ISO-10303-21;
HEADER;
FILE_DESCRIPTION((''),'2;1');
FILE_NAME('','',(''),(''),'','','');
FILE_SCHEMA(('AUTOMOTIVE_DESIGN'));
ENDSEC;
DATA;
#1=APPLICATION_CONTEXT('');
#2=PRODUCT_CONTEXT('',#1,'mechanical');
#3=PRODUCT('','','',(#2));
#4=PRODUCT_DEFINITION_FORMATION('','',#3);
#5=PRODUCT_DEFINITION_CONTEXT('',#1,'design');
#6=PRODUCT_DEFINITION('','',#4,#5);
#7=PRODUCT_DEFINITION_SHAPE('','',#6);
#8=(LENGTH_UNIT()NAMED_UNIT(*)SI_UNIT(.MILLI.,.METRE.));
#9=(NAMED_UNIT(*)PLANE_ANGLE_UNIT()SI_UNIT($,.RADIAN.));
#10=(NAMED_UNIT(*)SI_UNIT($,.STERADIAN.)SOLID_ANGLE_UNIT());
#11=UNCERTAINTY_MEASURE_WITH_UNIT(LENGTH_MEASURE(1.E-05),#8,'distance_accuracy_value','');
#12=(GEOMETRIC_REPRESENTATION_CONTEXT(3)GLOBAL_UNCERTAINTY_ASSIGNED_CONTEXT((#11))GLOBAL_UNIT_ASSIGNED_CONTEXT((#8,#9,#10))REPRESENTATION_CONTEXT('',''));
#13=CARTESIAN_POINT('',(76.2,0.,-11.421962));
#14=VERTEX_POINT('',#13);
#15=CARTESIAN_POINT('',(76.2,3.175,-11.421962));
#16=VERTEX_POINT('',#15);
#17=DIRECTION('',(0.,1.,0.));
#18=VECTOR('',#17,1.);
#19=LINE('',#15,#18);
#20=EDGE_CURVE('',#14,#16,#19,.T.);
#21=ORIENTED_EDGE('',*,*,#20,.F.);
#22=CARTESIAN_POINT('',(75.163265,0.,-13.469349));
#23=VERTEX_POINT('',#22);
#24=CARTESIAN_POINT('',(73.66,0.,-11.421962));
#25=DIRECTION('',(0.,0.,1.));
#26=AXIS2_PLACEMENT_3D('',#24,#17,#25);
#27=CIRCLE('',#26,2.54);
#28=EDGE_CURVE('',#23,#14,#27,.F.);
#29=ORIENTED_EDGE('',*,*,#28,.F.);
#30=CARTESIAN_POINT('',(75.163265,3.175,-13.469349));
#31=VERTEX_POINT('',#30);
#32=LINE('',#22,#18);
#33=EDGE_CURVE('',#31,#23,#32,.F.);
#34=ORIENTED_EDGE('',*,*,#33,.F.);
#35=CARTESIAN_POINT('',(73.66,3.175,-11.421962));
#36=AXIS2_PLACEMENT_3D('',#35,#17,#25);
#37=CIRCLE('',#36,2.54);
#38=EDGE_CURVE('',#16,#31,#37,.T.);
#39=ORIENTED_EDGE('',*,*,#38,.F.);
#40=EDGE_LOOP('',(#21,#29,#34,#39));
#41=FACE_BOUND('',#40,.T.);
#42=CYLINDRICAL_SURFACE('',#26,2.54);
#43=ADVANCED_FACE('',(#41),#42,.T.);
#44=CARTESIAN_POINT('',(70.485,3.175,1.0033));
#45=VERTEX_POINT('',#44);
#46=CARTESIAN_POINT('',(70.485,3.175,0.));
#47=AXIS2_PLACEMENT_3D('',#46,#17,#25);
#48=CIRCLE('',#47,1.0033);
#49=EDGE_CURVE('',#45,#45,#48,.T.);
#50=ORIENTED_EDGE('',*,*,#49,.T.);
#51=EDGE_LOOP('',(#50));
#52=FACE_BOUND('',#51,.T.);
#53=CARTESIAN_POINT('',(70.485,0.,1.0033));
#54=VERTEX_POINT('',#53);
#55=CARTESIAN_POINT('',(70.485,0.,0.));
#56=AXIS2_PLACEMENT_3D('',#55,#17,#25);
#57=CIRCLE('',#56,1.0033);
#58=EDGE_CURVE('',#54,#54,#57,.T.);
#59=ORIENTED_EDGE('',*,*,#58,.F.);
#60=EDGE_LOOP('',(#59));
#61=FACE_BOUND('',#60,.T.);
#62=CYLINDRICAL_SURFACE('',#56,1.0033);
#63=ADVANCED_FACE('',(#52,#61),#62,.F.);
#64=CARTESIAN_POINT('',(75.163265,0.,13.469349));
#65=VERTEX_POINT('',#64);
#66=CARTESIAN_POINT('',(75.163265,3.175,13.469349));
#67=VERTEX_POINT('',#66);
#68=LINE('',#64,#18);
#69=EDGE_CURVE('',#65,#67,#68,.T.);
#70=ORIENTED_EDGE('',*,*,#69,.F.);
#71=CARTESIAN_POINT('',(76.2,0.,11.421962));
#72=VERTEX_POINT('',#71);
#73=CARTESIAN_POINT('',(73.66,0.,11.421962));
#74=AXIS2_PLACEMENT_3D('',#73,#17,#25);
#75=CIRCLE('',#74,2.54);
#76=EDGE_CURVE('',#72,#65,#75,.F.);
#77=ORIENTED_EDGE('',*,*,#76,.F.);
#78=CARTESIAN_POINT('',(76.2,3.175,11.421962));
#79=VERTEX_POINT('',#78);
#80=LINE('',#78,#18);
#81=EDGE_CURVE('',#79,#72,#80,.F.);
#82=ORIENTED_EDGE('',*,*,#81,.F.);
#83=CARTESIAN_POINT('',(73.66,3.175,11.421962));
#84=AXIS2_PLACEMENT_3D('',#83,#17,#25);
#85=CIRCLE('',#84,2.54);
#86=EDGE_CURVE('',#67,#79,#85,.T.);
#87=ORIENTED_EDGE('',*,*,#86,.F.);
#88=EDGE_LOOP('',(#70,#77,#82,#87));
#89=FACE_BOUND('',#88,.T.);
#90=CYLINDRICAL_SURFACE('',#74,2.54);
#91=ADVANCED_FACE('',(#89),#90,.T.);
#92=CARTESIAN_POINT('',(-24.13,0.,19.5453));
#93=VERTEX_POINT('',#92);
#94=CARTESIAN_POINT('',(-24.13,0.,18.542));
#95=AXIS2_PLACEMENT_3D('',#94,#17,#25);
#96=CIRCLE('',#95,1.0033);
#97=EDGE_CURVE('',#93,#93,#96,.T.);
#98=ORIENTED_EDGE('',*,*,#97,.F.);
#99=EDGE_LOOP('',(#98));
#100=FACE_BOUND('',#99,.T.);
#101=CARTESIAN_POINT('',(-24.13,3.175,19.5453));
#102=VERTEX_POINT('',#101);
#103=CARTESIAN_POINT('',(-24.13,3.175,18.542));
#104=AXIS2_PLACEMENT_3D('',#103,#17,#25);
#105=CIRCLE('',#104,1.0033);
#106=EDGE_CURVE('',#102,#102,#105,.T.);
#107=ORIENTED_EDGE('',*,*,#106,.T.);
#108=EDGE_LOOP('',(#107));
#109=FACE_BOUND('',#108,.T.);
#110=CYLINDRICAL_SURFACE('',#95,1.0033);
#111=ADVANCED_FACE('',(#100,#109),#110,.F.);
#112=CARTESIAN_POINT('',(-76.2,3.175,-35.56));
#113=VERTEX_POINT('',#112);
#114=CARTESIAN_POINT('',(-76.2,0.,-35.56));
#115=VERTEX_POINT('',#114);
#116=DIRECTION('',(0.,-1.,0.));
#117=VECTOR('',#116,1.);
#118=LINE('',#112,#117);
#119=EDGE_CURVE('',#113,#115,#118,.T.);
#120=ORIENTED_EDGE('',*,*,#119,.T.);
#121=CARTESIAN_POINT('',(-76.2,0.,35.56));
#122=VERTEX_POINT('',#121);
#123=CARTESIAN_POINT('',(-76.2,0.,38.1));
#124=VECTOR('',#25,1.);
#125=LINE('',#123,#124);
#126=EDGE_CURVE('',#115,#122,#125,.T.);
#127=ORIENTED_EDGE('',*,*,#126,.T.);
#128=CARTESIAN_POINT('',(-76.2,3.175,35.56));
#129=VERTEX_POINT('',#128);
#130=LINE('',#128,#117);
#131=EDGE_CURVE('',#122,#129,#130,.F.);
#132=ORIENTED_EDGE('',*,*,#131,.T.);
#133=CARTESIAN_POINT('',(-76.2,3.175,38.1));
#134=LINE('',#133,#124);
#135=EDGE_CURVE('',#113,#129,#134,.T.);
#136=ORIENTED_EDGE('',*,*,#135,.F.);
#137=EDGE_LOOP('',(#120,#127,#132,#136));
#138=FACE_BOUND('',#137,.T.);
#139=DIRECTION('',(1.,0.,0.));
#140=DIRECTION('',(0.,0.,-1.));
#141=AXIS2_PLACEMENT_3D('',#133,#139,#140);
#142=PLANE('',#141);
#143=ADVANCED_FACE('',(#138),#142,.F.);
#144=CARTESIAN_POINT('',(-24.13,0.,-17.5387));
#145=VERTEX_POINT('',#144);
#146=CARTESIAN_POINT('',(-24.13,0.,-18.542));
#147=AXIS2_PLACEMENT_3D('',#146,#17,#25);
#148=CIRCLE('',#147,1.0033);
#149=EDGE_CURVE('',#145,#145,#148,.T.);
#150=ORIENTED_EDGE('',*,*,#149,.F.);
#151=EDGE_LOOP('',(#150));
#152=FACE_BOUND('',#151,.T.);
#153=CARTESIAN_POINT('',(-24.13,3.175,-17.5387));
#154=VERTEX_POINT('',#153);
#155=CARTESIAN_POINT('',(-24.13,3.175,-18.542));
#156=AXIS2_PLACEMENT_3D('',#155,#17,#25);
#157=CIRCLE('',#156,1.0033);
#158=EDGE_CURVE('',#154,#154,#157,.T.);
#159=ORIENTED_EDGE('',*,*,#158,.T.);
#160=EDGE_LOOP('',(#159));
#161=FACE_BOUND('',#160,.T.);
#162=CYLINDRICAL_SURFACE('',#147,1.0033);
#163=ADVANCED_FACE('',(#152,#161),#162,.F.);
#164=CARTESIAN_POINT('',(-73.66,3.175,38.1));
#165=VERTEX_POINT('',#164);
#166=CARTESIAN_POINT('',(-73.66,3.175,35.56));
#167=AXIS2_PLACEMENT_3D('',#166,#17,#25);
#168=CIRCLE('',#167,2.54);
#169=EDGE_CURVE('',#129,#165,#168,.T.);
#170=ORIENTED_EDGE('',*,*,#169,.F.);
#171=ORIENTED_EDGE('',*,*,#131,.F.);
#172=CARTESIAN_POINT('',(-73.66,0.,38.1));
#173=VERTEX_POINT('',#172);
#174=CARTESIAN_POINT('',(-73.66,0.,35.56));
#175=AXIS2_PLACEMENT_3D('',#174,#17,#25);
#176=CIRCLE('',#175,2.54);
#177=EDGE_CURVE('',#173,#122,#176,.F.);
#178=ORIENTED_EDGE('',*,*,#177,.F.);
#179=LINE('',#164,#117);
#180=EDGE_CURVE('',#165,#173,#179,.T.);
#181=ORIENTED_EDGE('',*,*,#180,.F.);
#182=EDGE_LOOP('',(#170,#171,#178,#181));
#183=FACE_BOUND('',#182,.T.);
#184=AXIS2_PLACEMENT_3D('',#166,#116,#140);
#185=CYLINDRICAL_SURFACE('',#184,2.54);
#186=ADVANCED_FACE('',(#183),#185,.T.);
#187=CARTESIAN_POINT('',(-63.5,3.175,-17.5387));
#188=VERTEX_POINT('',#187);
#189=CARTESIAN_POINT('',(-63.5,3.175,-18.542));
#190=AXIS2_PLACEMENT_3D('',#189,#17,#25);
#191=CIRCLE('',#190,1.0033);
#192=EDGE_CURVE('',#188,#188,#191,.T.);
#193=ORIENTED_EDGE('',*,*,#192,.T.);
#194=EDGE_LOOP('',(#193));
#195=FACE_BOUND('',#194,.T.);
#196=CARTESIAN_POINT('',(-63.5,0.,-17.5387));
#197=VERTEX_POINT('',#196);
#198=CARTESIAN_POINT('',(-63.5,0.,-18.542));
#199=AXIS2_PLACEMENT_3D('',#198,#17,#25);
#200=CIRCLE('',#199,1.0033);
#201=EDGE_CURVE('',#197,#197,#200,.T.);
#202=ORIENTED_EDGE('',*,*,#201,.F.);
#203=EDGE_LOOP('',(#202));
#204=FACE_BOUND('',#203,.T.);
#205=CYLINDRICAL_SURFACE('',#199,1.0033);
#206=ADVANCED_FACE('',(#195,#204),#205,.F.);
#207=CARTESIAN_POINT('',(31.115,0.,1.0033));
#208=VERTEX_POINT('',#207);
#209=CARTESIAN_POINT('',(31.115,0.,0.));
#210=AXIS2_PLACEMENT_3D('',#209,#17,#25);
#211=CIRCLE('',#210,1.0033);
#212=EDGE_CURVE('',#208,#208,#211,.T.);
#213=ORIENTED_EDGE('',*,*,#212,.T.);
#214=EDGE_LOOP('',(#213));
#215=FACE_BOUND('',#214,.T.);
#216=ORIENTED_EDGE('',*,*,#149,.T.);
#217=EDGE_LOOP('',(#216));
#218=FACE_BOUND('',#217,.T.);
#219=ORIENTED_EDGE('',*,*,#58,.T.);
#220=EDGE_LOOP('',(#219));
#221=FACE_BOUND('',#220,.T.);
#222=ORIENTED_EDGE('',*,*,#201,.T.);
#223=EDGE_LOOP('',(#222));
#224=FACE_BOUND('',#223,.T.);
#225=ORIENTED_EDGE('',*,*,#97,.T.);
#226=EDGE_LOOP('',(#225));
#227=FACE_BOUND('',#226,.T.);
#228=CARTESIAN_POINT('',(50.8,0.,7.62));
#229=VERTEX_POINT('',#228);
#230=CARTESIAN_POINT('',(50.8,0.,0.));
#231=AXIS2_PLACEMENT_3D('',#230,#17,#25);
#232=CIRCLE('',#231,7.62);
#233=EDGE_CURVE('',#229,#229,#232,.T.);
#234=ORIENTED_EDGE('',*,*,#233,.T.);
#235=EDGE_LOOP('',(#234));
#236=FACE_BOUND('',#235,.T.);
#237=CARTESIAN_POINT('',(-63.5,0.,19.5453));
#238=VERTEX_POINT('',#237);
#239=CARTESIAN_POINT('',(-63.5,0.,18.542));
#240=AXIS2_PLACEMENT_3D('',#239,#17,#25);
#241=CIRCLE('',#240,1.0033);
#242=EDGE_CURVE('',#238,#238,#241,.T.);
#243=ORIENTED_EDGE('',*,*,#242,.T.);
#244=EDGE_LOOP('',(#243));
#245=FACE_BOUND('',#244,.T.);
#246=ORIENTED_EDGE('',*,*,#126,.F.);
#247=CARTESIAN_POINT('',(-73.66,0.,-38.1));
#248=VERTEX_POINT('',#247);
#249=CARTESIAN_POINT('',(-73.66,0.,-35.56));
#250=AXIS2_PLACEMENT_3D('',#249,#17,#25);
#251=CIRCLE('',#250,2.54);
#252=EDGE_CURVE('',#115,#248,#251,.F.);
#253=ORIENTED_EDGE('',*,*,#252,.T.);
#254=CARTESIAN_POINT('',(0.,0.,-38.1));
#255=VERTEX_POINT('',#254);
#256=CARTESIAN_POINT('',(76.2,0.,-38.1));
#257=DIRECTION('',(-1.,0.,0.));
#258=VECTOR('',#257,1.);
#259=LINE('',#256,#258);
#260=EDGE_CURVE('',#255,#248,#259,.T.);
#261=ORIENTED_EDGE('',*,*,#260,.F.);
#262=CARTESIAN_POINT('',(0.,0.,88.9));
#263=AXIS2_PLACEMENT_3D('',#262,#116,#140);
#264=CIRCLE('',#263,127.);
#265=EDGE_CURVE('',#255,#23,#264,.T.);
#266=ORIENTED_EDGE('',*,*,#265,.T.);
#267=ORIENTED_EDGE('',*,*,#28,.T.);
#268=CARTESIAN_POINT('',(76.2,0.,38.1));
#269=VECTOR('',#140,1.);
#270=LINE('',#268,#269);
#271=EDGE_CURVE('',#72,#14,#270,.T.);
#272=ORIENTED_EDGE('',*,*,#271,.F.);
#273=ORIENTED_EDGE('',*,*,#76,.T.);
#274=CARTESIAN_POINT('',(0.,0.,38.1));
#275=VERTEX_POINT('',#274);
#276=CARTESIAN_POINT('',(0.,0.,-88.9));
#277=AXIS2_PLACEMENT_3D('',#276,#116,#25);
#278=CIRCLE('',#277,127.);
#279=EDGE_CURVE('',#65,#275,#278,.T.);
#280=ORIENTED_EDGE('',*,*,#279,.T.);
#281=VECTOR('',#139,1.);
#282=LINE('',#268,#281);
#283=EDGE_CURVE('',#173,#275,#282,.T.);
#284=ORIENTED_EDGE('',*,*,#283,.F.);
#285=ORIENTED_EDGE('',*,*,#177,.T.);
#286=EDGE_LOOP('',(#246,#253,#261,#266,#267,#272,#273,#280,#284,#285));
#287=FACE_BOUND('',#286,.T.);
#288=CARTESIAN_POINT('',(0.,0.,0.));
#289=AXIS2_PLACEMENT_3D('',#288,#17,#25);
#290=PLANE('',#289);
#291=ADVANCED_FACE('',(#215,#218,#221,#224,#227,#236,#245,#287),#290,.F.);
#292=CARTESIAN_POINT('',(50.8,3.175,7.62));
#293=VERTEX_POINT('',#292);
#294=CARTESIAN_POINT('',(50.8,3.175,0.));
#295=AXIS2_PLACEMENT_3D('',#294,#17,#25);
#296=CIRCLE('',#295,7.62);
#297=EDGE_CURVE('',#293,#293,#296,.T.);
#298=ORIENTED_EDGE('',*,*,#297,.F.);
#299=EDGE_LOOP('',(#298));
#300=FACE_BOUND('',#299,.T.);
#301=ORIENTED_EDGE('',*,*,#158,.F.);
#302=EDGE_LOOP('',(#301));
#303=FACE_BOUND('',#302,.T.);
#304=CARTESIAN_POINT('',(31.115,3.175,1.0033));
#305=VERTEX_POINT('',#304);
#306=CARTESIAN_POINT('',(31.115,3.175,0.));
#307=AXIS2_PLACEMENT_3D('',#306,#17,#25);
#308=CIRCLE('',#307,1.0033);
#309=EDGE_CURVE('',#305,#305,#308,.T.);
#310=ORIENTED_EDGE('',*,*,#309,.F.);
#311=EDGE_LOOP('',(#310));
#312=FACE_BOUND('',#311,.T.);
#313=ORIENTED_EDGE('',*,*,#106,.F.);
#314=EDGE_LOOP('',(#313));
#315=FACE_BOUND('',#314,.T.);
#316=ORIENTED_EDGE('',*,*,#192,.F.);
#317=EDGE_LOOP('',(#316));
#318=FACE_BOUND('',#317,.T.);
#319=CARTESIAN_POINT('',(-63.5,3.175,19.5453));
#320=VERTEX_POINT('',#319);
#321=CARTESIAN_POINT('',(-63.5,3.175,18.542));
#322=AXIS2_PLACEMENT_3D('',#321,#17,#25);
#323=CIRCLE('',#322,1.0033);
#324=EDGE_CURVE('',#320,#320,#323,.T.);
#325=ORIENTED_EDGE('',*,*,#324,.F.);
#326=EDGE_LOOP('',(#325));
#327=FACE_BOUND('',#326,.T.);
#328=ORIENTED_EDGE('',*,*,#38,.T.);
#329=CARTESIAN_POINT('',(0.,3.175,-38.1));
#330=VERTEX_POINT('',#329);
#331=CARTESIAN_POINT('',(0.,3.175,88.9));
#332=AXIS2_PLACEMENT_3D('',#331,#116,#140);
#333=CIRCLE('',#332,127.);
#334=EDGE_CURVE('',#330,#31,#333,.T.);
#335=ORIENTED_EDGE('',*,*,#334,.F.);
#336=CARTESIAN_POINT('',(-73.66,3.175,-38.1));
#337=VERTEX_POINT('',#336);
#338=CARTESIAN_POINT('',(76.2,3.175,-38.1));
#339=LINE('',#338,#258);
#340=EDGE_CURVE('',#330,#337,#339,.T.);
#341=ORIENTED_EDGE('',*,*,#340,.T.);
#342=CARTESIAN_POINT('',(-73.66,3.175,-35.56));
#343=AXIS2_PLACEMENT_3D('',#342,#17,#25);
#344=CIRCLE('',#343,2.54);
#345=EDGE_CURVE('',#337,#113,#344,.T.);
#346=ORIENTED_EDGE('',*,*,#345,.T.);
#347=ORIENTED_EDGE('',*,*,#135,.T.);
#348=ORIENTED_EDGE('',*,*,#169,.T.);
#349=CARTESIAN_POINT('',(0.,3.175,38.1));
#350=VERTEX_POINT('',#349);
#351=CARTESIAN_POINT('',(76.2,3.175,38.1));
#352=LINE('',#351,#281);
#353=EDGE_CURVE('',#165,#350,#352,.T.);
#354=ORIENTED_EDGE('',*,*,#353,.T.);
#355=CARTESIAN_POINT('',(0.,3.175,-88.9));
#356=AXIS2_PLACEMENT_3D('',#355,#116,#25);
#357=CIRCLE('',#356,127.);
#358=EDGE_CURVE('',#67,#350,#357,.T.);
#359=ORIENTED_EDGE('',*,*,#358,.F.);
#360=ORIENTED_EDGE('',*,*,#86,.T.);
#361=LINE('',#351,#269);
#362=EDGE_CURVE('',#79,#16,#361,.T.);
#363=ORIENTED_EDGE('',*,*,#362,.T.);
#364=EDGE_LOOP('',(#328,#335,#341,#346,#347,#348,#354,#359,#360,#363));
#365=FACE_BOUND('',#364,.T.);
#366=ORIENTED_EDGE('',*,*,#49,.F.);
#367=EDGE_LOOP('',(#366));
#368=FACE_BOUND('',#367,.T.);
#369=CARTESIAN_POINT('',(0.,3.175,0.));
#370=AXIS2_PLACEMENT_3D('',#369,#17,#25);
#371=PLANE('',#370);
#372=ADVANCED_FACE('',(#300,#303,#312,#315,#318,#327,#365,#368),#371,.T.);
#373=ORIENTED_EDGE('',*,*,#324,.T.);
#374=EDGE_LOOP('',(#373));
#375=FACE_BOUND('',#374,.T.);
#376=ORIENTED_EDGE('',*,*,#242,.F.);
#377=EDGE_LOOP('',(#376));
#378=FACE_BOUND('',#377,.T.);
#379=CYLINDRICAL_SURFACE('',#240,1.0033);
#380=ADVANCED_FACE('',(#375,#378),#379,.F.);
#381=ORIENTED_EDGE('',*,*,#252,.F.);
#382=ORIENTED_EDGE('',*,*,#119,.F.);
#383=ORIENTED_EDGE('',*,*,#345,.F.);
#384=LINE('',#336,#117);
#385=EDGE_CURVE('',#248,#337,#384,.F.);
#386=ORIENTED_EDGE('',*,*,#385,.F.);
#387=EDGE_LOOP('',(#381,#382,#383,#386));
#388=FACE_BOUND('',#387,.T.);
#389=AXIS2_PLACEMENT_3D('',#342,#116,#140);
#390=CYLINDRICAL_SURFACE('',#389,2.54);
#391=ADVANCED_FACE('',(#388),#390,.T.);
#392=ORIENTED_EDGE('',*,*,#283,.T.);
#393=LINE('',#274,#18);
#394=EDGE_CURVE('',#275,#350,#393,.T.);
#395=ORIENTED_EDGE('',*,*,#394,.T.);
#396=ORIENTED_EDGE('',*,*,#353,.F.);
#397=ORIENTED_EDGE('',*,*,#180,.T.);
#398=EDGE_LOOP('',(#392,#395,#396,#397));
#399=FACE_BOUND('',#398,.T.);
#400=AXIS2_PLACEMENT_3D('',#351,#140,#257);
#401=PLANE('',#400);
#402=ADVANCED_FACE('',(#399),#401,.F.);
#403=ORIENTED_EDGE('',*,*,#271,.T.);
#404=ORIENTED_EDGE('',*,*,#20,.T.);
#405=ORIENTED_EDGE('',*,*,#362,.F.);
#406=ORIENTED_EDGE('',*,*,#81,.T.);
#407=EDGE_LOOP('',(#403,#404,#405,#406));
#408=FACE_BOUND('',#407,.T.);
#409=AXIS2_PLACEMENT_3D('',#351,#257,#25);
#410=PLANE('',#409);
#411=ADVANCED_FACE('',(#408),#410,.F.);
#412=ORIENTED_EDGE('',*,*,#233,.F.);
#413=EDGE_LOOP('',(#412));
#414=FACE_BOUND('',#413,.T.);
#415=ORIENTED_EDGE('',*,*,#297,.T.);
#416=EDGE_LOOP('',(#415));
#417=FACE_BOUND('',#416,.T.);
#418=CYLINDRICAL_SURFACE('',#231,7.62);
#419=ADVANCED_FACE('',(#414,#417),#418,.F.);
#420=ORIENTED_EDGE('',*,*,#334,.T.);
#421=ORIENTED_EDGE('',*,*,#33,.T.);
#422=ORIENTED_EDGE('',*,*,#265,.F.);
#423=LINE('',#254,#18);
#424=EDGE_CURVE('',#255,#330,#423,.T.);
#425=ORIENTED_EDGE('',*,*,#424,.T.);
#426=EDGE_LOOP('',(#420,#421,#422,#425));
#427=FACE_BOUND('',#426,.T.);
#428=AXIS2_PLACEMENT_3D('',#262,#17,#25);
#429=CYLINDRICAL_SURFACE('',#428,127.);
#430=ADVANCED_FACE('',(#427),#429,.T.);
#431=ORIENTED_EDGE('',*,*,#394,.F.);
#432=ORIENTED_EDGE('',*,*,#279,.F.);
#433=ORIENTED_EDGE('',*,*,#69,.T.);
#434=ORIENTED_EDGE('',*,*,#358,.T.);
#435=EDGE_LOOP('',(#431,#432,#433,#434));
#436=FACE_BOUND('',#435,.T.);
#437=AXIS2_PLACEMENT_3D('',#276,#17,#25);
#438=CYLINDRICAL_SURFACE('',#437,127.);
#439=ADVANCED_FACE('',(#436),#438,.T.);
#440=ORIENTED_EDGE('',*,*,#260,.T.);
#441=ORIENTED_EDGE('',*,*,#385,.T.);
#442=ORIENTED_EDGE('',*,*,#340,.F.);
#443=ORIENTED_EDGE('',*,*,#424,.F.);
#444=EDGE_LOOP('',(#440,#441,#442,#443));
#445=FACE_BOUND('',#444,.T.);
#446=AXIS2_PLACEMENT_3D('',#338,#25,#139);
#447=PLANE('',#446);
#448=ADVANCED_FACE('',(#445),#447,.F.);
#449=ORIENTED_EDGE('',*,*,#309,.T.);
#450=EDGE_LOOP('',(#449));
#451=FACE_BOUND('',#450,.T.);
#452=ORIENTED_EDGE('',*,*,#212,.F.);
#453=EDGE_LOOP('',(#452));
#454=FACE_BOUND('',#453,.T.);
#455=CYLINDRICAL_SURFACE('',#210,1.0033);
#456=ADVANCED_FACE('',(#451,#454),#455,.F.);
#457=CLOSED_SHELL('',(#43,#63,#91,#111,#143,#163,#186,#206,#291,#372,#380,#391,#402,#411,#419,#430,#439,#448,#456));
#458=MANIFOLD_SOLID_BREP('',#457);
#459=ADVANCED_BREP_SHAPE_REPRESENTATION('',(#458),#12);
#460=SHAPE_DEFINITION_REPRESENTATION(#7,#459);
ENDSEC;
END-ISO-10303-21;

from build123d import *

# Parameters (mm, degrees)
SKETCH1_W           = 152.4
SKETCH1_H           = 76.2
BOSS_EXTRUDE1_DEPTH = 3.175
CUT_EXTRUDE1_DEPTH  = 3.175
FILLET2_R           = 2.54
FILLET3_R           = 2.54
SKETCH5_R           = 7.62
CUT_EXTRUDE2_DEPTH  = 3.175
SKETCH7_R           = 1.0033
CUT_EXTRUDE4_DEPTH  = 86.253332046
SKETCH6_R           = 1.0033
CUT_EXTRUDE5_DEPTH  = 86.253332046


with BuildPart() as part:
    # Sketch1 → Boss-Extrude1 (new body)
    with BuildSketch(Plane(origin=(0, 0, 0), x_dir=(1, 0, 0), z_dir=(0, 1, 0))):
        Rectangle(SKETCH1_W, SKETCH1_H)
    extrude(amount=BOSS_EXTRUDE1_DEPTH)

    # Sketch4 → Cut-Extrude1 (cut)
    with BuildSketch(Plane(origin=(0, 3.175, 0), x_dir=(1, 0, 0), z_dir=(0, 1, 0))):
        with BuildLine():
            Line((0, 38.1), (76.2, 38.1))
            Line((76.2, 38.1), (76.2, 12.7))
            ThreePointArc((76.2, 12.7), (40.160926284, 31.582778852), (0, 38.1))
        make_face()
        with BuildLine():
            Line((76.2, -38.1), (76.2, -12.7))
            ThreePointArc((76.2, -12.7), (40.160926284, -31.582778852), (0, -38.1))
            Line((0, -38.1), (76.2, -38.1))
        make_face()
    extrude(amount=-CUT_EXTRUDE1_DEPTH, mode=Mode.SUBTRACT)

    # Fillet2
    fillet2_edges = [part.edges().sort_by_distance(p)[0] for p in [
        (76.2, 1.5875, -12.7),
        (76.2, 1.5875, 12.7),
    ]]
    fillet(fillet2_edges, radius=FILLET2_R)

    # Fillet3
    fillet3_edges = [part.edges().sort_by_distance(p)[0] for p in [
        (-76.2, 1.5875, -38.1),
        (-76.2, 1.5875, 38.1),
    ]]
    fillet(fillet3_edges, radius=FILLET3_R)

    # Sketch5 → Cut-Extrude2 (cut)
    with BuildSketch(Plane(origin=(0, 3.175, 0), x_dir=(1, 0, 0), z_dir=(0, 1, 0))):
        with Locations(Location((50.8, 0, 0), (0, 0, 270))):
            Circle(SKETCH5_R)
    extrude(amount=-CUT_EXTRUDE2_DEPTH, mode=Mode.SUBTRACT)

    # Sketch7 → Cut-Extrude4 (cut, through all)
    with BuildSketch(Plane(origin=(0, 3.175, 0), x_dir=(1, 0, 0), z_dir=(0, 1, 0))):
        with Locations(Location((70.485, 0, 0), (0, 0, 270))):
            Circle(SKETCH7_R)
        with Locations(Location((31.115, 0, 0), (0, 0, 270))):
            Circle(SKETCH7_R)
    extrude(amount=-CUT_EXTRUDE4_DEPTH, mode=Mode.SUBTRACT)

    # Sketch6 → Cut-Extrude5 (cut, through all)
    with BuildSketch(Plane(origin=(0, 3.175, 0), x_dir=(1, 0, 0), z_dir=(0, 1, 0))):
        with Locations(Location((-63.5, 18.542, 0), (0, 0, 270))):
            Circle(SKETCH6_R)
        with Locations(Location((-24.13, 18.542, 0), (0, 0, 270))):
            Circle(SKETCH6_R)
        with Locations(Location((-24.13, -18.542, 0), (0, 0, 270))):
            Circle(SKETCH6_R)
        with Locations(Location((-63.5, -18.542, 0), (0, 0, 270))):
            Circle(SKETCH6_R)
    extrude(amount=-CUT_EXTRUDE5_DEPTH, mode=Mode.SUBTRACT)


solid = part.part
